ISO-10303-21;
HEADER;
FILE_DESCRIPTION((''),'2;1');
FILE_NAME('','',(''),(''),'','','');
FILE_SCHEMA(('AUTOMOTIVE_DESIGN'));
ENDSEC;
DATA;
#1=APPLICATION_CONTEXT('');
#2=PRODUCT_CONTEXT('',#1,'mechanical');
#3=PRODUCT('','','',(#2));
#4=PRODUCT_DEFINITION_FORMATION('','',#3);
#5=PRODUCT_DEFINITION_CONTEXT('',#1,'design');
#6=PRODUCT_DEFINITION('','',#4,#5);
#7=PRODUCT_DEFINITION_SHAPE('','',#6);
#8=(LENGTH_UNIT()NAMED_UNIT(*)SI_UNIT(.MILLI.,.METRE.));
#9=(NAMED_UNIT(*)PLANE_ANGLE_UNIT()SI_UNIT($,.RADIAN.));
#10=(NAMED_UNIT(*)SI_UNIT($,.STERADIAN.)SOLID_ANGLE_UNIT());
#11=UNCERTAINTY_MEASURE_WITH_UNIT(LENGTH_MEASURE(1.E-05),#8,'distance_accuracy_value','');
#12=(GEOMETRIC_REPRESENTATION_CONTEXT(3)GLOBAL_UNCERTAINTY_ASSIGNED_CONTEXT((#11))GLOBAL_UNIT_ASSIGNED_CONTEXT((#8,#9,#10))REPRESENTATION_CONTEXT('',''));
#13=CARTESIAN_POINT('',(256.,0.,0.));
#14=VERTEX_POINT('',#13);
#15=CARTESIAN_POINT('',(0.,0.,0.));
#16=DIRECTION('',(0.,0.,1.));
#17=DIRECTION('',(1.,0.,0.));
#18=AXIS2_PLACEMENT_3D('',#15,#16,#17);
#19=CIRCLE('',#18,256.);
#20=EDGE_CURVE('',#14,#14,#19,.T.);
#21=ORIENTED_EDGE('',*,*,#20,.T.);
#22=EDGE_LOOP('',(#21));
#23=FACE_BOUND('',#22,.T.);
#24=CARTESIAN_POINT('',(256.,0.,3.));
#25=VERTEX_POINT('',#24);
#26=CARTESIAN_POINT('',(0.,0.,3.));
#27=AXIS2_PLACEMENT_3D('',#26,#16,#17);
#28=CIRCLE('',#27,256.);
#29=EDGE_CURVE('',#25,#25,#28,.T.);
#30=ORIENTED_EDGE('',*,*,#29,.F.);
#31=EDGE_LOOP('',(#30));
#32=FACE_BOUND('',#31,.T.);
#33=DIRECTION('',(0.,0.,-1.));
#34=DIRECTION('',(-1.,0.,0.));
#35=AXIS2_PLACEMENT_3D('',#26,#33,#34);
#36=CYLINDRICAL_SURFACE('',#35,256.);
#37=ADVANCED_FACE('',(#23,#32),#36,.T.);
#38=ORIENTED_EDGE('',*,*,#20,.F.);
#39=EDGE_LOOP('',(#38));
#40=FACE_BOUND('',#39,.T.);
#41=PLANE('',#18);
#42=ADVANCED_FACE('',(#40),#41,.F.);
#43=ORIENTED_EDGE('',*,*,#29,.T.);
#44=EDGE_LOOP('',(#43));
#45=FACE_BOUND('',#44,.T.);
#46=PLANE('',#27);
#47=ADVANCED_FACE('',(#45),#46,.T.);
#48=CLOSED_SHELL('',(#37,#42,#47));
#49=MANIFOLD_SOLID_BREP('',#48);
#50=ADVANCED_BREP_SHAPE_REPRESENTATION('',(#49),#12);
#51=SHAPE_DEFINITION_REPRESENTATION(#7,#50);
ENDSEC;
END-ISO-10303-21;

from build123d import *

# Parameters (mm, degrees)
SKETCH1_R  = 256
SKIN_DEPTH = 3


with BuildPart() as part:
    # Sketch1 → Skin (new body)
    with BuildSketch(Plane.XY):
        Circle(SKETCH1_R)
    extrude(amount=SKIN_DEPTH)


solid = part.part
